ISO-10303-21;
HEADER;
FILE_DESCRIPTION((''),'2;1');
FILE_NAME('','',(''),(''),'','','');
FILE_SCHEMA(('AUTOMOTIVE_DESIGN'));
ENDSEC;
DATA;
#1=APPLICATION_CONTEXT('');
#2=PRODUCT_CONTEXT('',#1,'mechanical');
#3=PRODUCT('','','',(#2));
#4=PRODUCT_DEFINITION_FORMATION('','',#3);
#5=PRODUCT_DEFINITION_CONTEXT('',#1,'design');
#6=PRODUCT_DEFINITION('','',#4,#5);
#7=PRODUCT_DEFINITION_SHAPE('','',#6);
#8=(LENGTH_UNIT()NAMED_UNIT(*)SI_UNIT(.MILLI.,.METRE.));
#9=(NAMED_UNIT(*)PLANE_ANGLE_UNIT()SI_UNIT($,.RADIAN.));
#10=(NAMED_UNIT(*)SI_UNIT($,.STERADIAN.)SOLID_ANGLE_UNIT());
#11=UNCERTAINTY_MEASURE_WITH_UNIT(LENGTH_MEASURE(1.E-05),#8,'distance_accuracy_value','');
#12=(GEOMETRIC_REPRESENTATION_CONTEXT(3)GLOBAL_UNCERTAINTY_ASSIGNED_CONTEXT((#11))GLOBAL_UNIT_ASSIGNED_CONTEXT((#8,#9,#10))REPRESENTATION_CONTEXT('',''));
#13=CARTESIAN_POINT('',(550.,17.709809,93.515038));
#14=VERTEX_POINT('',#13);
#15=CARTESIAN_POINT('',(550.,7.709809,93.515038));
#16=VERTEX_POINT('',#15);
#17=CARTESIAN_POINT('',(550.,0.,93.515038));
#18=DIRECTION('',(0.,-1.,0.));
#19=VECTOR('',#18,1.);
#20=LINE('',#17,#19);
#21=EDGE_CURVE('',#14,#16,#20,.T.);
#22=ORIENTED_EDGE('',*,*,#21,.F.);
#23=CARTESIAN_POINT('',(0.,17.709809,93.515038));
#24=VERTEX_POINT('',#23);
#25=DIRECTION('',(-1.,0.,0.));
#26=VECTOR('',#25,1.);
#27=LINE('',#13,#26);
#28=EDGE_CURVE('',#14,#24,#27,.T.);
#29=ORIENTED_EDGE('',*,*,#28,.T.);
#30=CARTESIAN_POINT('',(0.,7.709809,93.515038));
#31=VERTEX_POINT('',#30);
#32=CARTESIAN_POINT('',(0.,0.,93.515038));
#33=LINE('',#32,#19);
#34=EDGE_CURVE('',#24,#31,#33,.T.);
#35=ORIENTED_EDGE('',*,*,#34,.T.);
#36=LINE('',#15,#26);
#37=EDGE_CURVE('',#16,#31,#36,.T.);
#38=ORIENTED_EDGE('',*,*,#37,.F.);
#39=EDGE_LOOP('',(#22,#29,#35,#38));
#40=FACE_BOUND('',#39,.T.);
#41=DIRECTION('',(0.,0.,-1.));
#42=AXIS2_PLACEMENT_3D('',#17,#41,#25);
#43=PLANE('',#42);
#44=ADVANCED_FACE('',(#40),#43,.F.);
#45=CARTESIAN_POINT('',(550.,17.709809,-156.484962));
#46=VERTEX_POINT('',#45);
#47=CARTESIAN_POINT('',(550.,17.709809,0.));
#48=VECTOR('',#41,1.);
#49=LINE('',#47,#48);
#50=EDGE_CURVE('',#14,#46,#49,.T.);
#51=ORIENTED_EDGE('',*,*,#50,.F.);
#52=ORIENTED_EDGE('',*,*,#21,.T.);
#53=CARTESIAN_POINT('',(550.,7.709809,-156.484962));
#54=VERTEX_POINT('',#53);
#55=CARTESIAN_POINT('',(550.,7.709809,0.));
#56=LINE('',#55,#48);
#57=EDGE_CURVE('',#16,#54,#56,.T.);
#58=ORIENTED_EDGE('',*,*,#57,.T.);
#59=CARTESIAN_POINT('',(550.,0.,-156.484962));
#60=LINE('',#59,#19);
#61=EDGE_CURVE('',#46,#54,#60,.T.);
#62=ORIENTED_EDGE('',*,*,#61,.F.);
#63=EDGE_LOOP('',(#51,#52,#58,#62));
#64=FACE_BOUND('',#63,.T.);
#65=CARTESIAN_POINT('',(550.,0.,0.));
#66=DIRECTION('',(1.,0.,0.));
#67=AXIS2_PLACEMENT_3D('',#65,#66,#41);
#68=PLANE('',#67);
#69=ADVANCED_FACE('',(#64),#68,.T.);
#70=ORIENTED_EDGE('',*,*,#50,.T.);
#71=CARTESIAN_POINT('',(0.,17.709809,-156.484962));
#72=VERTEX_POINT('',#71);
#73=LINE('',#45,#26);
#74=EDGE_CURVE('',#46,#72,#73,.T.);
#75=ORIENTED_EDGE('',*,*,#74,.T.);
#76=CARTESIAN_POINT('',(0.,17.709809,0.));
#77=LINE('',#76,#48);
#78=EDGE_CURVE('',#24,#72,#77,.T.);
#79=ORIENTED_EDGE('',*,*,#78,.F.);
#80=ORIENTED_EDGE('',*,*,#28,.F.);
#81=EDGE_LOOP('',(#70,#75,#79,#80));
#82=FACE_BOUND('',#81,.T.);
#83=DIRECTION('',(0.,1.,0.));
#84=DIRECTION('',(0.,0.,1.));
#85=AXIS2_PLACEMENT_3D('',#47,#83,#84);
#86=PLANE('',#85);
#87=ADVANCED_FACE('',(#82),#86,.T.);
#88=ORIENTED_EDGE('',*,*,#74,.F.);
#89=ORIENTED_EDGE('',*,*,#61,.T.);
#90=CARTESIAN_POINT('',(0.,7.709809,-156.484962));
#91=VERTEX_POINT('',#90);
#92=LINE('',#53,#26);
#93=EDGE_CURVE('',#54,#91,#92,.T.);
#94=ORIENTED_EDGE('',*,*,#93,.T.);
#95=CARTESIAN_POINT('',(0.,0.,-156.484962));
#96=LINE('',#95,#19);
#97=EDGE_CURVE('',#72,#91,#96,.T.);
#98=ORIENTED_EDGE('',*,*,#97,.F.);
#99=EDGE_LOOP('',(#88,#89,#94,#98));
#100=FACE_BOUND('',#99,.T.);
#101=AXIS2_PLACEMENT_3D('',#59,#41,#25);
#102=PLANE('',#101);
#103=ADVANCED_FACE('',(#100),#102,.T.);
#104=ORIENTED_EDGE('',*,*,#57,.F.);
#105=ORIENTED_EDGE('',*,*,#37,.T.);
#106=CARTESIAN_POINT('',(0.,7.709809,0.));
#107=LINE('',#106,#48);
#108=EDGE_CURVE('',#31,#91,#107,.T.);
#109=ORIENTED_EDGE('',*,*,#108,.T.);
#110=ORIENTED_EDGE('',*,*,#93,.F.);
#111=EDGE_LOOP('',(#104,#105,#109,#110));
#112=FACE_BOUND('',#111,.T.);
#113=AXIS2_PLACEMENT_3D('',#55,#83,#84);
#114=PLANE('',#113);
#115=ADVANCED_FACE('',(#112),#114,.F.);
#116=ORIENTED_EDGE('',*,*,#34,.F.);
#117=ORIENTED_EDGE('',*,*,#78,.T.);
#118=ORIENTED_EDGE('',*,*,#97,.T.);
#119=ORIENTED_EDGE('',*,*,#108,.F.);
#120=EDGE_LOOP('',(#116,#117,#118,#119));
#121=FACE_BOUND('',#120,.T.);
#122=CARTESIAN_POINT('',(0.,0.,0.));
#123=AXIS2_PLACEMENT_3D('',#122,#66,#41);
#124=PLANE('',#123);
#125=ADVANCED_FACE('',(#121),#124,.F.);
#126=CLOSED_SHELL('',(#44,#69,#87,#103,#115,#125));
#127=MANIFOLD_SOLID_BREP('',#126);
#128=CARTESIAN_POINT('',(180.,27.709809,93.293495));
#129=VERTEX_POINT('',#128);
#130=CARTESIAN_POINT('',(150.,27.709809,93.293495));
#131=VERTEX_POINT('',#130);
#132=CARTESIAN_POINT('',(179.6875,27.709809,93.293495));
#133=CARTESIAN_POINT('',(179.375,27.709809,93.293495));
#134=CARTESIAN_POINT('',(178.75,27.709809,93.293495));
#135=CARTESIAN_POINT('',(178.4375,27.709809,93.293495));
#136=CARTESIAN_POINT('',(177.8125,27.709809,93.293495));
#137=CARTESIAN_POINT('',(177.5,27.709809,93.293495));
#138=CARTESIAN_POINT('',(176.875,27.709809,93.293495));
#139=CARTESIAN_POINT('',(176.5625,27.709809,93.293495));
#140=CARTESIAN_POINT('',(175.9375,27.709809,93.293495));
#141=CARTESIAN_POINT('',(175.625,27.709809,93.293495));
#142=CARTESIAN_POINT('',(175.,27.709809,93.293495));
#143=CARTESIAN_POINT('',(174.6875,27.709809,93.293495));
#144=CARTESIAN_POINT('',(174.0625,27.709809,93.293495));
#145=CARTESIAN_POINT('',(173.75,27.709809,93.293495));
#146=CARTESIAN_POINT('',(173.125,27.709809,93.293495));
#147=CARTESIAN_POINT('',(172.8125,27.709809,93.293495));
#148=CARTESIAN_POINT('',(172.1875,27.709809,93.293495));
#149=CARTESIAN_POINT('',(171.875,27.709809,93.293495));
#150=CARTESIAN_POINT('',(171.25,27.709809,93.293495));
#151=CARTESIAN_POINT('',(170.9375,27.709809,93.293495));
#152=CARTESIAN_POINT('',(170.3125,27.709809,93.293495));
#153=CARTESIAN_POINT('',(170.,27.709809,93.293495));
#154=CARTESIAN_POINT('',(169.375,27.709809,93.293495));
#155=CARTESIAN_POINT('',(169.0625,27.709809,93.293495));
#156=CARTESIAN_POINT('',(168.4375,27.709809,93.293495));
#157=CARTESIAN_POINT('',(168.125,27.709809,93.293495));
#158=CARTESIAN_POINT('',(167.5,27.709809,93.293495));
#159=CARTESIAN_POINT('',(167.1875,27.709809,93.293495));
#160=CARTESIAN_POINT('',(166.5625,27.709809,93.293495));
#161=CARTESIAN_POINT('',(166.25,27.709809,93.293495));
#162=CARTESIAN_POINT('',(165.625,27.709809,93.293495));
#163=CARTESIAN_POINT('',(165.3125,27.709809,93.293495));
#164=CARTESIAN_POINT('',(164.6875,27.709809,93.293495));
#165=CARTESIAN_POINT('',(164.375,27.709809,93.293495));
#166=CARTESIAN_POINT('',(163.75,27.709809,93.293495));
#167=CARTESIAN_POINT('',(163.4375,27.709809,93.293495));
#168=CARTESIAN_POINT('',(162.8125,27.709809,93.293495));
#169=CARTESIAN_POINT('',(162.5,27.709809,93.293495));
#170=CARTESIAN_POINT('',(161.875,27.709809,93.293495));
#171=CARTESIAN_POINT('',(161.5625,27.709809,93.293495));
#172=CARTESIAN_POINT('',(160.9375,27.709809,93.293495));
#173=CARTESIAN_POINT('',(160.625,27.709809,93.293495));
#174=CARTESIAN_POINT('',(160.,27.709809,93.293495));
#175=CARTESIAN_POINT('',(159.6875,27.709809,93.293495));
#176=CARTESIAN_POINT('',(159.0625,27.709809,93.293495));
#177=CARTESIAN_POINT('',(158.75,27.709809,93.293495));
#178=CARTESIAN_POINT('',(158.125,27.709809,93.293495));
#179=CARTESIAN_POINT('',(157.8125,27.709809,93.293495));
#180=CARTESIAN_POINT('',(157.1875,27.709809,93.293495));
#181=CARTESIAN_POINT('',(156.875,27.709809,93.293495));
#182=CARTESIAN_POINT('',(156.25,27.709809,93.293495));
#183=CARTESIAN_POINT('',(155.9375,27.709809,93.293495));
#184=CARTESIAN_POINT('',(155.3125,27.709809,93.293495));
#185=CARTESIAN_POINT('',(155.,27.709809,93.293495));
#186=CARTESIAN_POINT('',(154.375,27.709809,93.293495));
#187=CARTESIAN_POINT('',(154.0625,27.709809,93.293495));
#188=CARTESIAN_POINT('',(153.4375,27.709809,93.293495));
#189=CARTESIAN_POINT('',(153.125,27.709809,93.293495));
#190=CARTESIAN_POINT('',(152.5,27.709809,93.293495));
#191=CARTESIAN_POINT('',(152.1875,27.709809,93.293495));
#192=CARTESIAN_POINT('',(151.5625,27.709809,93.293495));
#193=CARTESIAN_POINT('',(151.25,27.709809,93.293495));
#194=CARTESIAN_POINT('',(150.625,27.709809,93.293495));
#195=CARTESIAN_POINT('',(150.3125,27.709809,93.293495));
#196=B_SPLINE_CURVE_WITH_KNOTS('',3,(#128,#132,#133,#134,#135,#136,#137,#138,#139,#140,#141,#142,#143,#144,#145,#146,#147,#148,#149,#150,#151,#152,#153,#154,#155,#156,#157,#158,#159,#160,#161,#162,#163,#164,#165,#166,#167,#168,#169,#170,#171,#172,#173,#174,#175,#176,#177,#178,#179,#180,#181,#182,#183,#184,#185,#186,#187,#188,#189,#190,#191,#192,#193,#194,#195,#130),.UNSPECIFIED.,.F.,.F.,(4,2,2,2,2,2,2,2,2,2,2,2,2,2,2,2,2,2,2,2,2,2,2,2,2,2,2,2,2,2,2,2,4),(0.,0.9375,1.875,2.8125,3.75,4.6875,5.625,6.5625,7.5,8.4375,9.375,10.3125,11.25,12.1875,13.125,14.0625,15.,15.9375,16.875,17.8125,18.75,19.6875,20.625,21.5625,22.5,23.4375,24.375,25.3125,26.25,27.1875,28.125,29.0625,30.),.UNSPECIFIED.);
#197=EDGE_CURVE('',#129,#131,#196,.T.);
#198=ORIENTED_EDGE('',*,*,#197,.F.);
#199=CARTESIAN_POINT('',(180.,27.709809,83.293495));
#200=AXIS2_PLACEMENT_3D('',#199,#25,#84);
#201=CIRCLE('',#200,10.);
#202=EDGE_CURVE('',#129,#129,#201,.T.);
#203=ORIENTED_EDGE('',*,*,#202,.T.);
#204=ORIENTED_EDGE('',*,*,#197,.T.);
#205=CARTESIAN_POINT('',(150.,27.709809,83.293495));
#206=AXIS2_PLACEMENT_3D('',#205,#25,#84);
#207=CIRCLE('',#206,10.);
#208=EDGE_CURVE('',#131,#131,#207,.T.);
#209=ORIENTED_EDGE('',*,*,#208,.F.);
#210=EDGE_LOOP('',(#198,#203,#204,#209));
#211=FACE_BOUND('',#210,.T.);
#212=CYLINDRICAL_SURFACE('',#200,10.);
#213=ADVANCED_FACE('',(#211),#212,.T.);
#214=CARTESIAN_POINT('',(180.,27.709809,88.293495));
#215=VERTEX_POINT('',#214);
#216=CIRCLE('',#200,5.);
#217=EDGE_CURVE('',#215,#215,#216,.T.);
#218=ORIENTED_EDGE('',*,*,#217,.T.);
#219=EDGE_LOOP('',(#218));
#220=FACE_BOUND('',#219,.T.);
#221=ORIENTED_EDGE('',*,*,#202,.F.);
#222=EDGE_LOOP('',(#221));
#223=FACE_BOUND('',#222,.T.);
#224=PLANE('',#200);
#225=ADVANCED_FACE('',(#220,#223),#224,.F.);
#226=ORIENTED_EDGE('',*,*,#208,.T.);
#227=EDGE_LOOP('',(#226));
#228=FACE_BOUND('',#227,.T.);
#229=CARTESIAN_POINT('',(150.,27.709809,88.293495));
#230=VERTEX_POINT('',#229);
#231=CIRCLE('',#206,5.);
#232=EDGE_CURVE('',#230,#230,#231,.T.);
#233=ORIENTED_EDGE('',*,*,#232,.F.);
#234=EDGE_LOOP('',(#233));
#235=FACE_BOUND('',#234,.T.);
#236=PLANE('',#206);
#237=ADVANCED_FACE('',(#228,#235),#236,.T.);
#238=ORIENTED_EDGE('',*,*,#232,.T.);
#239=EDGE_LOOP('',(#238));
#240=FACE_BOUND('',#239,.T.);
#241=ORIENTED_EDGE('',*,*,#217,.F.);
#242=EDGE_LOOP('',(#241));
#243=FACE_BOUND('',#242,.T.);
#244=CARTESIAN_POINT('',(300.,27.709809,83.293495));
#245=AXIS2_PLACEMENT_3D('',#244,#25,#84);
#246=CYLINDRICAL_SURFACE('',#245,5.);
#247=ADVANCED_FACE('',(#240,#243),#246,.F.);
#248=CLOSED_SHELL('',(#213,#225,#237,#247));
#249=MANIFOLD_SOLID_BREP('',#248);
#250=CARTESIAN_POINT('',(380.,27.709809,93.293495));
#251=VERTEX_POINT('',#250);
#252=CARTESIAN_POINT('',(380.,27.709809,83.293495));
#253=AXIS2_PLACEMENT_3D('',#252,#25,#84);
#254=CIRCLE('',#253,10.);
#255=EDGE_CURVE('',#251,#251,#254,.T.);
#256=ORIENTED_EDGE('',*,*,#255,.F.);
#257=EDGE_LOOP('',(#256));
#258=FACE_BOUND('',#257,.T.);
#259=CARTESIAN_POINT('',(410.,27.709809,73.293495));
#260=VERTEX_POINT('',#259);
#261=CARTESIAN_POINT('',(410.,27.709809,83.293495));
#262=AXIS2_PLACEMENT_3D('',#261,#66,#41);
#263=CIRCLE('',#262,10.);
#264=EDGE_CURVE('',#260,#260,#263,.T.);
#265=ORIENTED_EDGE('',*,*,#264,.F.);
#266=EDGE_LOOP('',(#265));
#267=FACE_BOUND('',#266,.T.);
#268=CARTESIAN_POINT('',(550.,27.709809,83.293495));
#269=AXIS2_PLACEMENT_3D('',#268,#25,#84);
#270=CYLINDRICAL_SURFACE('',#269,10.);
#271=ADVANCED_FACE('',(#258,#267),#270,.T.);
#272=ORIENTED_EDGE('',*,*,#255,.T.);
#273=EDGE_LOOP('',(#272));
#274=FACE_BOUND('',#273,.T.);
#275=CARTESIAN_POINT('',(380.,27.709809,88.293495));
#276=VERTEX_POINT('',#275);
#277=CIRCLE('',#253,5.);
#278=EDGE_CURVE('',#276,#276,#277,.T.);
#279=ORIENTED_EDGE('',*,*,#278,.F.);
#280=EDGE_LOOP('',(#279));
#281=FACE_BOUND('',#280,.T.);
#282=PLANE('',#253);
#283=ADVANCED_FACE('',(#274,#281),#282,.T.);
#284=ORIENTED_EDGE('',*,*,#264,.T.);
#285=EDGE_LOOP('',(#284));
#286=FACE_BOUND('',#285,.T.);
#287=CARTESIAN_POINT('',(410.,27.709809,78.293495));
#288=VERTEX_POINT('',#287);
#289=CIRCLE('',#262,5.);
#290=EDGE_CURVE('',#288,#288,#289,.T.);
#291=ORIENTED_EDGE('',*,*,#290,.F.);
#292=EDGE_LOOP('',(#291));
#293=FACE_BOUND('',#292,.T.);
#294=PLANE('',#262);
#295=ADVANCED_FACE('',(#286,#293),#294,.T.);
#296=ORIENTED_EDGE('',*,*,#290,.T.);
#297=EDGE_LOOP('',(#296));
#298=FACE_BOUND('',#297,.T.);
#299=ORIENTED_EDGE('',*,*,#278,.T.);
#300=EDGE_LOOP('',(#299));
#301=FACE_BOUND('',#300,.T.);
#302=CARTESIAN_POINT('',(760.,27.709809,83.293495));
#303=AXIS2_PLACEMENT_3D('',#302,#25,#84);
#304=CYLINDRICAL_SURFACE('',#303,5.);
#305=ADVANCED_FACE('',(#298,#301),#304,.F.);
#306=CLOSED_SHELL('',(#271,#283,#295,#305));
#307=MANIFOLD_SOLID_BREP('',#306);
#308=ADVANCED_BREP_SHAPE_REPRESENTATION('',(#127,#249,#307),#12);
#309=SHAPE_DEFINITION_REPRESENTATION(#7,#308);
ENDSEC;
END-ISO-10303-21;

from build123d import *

# Parameters (mm, degrees)
SKETCH1_R             = 10
BOSS_EXTRUDE3_DEPTH   = 550
SKETCH1_W             = 250
SKETCH1_H             = 10
BOSS_EXTRUDE3_2_DEPTH = 550
CUT_EXTRUDE3_START    = -140
SKETCH5_R             = 10
CUT_EXTRUDE3_DEPTH    = 140
SKETCH6_R             = 10
CUT_EXTRUDE4_DEPTH    = 380
SKETCH7_R             = 5
CUT_EXTRUDE5_DEPTH    = 380
SKETCH8_R             = 10
BOSS_EXTRUDE5_DEPTH   = 180
SKETCH10_R            = 10
CUT_EXTRUDE6_DEPTH    = 150
SKETCH11_R            = 5
CUT_EXTRUDE7_DEPTH    = 150


with BuildPart() as part:
    # Sketch1 → Boss-Extrude3 (new body)
    with BuildSketch(Plane(origin=(0, 0, 0), x_dir=(0, 0, -1), z_dir=(1, 0, 0))):
        with Locations((-83.293495175, 27.709808525)):
            Circle(SKETCH1_R)
    extrude(amount=BOSS_EXTRUDE3_DEPTH)

    # Sketch5 → Cut-Extrude3 (cut)
    with BuildSketch(Plane(origin=(550, 0, 0), x_dir=(0, 0, -1), z_dir=(1, 0, 0)).offset(CUT_EXTRUDE3_START)):
        with Locations((-83.293495175, 27.709808525)):
            Circle(SKETCH5_R)
    extrude(amount=CUT_EXTRUDE3_DEPTH, mode=Mode.SUBTRACT)

    # Sketch6 → Cut-Extrude4 (cut)
    with BuildSketch(Plane.ZY):
        with Locations((83.293495175, 27.709808525)):
            Circle(SKETCH6_R)
    extrude(amount=-CUT_EXTRUDE4_DEPTH, mode=Mode.SUBTRACT)

    # Sketch7 → Cut-Extrude5 (cut)
    with BuildSketch(Plane.ZY.offset(-380)):
        with Locations((83.293495175, 27.709808525)):
            Circle(SKETCH7_R)
    extrude(amount=-CUT_EXTRUDE5_DEPTH, mode=Mode.SUBTRACT)


with BuildPart() as body_2:
    # Sketch1 → Boss-Extrude3 2 (new body)
    with BuildSketch(Plane(origin=(0, 0, 0), x_dir=(0, 0, -1), z_dir=(1, 0, 0))):
        with Locations((31.484962406, 12.709808525)):
            Rectangle(SKETCH1_W, SKETCH1_H)
    extrude(amount=BOSS_EXTRUDE3_2_DEPTH)


with BuildPart() as body_3:
    # Sketch8 → Boss-Extrude5 (new body)
    with BuildSketch(Plane.ZY):
        with Locations((83.293495175, 27.709808525)):
            Circle(SKETCH8_R)
    extrude(amount=-BOSS_EXTRUDE5_DEPTH)

    # Sketch10 → Cut-Extrude6 (cut)
    with BuildSketch(Plane.ZY):
        with Locations((83.293495175, 27.709808525)):
            Circle(SKETCH10_R)
    extrude(amount=-CUT_EXTRUDE6_DEPTH, mode=Mode.SUBTRACT)

    # Sketch11 → Cut-Extrude7 (cut)
    with BuildSketch(Plane.ZY.offset(-150)):
        with Locations((83.293495175, 27.709808525)):
            Circle(SKETCH11_R)
    extrude(amount=-CUT_EXTRUDE7_DEPTH, mode=Mode.SUBTRACT)


solid = Compound([part.part, body_2.part, body_3.part])
